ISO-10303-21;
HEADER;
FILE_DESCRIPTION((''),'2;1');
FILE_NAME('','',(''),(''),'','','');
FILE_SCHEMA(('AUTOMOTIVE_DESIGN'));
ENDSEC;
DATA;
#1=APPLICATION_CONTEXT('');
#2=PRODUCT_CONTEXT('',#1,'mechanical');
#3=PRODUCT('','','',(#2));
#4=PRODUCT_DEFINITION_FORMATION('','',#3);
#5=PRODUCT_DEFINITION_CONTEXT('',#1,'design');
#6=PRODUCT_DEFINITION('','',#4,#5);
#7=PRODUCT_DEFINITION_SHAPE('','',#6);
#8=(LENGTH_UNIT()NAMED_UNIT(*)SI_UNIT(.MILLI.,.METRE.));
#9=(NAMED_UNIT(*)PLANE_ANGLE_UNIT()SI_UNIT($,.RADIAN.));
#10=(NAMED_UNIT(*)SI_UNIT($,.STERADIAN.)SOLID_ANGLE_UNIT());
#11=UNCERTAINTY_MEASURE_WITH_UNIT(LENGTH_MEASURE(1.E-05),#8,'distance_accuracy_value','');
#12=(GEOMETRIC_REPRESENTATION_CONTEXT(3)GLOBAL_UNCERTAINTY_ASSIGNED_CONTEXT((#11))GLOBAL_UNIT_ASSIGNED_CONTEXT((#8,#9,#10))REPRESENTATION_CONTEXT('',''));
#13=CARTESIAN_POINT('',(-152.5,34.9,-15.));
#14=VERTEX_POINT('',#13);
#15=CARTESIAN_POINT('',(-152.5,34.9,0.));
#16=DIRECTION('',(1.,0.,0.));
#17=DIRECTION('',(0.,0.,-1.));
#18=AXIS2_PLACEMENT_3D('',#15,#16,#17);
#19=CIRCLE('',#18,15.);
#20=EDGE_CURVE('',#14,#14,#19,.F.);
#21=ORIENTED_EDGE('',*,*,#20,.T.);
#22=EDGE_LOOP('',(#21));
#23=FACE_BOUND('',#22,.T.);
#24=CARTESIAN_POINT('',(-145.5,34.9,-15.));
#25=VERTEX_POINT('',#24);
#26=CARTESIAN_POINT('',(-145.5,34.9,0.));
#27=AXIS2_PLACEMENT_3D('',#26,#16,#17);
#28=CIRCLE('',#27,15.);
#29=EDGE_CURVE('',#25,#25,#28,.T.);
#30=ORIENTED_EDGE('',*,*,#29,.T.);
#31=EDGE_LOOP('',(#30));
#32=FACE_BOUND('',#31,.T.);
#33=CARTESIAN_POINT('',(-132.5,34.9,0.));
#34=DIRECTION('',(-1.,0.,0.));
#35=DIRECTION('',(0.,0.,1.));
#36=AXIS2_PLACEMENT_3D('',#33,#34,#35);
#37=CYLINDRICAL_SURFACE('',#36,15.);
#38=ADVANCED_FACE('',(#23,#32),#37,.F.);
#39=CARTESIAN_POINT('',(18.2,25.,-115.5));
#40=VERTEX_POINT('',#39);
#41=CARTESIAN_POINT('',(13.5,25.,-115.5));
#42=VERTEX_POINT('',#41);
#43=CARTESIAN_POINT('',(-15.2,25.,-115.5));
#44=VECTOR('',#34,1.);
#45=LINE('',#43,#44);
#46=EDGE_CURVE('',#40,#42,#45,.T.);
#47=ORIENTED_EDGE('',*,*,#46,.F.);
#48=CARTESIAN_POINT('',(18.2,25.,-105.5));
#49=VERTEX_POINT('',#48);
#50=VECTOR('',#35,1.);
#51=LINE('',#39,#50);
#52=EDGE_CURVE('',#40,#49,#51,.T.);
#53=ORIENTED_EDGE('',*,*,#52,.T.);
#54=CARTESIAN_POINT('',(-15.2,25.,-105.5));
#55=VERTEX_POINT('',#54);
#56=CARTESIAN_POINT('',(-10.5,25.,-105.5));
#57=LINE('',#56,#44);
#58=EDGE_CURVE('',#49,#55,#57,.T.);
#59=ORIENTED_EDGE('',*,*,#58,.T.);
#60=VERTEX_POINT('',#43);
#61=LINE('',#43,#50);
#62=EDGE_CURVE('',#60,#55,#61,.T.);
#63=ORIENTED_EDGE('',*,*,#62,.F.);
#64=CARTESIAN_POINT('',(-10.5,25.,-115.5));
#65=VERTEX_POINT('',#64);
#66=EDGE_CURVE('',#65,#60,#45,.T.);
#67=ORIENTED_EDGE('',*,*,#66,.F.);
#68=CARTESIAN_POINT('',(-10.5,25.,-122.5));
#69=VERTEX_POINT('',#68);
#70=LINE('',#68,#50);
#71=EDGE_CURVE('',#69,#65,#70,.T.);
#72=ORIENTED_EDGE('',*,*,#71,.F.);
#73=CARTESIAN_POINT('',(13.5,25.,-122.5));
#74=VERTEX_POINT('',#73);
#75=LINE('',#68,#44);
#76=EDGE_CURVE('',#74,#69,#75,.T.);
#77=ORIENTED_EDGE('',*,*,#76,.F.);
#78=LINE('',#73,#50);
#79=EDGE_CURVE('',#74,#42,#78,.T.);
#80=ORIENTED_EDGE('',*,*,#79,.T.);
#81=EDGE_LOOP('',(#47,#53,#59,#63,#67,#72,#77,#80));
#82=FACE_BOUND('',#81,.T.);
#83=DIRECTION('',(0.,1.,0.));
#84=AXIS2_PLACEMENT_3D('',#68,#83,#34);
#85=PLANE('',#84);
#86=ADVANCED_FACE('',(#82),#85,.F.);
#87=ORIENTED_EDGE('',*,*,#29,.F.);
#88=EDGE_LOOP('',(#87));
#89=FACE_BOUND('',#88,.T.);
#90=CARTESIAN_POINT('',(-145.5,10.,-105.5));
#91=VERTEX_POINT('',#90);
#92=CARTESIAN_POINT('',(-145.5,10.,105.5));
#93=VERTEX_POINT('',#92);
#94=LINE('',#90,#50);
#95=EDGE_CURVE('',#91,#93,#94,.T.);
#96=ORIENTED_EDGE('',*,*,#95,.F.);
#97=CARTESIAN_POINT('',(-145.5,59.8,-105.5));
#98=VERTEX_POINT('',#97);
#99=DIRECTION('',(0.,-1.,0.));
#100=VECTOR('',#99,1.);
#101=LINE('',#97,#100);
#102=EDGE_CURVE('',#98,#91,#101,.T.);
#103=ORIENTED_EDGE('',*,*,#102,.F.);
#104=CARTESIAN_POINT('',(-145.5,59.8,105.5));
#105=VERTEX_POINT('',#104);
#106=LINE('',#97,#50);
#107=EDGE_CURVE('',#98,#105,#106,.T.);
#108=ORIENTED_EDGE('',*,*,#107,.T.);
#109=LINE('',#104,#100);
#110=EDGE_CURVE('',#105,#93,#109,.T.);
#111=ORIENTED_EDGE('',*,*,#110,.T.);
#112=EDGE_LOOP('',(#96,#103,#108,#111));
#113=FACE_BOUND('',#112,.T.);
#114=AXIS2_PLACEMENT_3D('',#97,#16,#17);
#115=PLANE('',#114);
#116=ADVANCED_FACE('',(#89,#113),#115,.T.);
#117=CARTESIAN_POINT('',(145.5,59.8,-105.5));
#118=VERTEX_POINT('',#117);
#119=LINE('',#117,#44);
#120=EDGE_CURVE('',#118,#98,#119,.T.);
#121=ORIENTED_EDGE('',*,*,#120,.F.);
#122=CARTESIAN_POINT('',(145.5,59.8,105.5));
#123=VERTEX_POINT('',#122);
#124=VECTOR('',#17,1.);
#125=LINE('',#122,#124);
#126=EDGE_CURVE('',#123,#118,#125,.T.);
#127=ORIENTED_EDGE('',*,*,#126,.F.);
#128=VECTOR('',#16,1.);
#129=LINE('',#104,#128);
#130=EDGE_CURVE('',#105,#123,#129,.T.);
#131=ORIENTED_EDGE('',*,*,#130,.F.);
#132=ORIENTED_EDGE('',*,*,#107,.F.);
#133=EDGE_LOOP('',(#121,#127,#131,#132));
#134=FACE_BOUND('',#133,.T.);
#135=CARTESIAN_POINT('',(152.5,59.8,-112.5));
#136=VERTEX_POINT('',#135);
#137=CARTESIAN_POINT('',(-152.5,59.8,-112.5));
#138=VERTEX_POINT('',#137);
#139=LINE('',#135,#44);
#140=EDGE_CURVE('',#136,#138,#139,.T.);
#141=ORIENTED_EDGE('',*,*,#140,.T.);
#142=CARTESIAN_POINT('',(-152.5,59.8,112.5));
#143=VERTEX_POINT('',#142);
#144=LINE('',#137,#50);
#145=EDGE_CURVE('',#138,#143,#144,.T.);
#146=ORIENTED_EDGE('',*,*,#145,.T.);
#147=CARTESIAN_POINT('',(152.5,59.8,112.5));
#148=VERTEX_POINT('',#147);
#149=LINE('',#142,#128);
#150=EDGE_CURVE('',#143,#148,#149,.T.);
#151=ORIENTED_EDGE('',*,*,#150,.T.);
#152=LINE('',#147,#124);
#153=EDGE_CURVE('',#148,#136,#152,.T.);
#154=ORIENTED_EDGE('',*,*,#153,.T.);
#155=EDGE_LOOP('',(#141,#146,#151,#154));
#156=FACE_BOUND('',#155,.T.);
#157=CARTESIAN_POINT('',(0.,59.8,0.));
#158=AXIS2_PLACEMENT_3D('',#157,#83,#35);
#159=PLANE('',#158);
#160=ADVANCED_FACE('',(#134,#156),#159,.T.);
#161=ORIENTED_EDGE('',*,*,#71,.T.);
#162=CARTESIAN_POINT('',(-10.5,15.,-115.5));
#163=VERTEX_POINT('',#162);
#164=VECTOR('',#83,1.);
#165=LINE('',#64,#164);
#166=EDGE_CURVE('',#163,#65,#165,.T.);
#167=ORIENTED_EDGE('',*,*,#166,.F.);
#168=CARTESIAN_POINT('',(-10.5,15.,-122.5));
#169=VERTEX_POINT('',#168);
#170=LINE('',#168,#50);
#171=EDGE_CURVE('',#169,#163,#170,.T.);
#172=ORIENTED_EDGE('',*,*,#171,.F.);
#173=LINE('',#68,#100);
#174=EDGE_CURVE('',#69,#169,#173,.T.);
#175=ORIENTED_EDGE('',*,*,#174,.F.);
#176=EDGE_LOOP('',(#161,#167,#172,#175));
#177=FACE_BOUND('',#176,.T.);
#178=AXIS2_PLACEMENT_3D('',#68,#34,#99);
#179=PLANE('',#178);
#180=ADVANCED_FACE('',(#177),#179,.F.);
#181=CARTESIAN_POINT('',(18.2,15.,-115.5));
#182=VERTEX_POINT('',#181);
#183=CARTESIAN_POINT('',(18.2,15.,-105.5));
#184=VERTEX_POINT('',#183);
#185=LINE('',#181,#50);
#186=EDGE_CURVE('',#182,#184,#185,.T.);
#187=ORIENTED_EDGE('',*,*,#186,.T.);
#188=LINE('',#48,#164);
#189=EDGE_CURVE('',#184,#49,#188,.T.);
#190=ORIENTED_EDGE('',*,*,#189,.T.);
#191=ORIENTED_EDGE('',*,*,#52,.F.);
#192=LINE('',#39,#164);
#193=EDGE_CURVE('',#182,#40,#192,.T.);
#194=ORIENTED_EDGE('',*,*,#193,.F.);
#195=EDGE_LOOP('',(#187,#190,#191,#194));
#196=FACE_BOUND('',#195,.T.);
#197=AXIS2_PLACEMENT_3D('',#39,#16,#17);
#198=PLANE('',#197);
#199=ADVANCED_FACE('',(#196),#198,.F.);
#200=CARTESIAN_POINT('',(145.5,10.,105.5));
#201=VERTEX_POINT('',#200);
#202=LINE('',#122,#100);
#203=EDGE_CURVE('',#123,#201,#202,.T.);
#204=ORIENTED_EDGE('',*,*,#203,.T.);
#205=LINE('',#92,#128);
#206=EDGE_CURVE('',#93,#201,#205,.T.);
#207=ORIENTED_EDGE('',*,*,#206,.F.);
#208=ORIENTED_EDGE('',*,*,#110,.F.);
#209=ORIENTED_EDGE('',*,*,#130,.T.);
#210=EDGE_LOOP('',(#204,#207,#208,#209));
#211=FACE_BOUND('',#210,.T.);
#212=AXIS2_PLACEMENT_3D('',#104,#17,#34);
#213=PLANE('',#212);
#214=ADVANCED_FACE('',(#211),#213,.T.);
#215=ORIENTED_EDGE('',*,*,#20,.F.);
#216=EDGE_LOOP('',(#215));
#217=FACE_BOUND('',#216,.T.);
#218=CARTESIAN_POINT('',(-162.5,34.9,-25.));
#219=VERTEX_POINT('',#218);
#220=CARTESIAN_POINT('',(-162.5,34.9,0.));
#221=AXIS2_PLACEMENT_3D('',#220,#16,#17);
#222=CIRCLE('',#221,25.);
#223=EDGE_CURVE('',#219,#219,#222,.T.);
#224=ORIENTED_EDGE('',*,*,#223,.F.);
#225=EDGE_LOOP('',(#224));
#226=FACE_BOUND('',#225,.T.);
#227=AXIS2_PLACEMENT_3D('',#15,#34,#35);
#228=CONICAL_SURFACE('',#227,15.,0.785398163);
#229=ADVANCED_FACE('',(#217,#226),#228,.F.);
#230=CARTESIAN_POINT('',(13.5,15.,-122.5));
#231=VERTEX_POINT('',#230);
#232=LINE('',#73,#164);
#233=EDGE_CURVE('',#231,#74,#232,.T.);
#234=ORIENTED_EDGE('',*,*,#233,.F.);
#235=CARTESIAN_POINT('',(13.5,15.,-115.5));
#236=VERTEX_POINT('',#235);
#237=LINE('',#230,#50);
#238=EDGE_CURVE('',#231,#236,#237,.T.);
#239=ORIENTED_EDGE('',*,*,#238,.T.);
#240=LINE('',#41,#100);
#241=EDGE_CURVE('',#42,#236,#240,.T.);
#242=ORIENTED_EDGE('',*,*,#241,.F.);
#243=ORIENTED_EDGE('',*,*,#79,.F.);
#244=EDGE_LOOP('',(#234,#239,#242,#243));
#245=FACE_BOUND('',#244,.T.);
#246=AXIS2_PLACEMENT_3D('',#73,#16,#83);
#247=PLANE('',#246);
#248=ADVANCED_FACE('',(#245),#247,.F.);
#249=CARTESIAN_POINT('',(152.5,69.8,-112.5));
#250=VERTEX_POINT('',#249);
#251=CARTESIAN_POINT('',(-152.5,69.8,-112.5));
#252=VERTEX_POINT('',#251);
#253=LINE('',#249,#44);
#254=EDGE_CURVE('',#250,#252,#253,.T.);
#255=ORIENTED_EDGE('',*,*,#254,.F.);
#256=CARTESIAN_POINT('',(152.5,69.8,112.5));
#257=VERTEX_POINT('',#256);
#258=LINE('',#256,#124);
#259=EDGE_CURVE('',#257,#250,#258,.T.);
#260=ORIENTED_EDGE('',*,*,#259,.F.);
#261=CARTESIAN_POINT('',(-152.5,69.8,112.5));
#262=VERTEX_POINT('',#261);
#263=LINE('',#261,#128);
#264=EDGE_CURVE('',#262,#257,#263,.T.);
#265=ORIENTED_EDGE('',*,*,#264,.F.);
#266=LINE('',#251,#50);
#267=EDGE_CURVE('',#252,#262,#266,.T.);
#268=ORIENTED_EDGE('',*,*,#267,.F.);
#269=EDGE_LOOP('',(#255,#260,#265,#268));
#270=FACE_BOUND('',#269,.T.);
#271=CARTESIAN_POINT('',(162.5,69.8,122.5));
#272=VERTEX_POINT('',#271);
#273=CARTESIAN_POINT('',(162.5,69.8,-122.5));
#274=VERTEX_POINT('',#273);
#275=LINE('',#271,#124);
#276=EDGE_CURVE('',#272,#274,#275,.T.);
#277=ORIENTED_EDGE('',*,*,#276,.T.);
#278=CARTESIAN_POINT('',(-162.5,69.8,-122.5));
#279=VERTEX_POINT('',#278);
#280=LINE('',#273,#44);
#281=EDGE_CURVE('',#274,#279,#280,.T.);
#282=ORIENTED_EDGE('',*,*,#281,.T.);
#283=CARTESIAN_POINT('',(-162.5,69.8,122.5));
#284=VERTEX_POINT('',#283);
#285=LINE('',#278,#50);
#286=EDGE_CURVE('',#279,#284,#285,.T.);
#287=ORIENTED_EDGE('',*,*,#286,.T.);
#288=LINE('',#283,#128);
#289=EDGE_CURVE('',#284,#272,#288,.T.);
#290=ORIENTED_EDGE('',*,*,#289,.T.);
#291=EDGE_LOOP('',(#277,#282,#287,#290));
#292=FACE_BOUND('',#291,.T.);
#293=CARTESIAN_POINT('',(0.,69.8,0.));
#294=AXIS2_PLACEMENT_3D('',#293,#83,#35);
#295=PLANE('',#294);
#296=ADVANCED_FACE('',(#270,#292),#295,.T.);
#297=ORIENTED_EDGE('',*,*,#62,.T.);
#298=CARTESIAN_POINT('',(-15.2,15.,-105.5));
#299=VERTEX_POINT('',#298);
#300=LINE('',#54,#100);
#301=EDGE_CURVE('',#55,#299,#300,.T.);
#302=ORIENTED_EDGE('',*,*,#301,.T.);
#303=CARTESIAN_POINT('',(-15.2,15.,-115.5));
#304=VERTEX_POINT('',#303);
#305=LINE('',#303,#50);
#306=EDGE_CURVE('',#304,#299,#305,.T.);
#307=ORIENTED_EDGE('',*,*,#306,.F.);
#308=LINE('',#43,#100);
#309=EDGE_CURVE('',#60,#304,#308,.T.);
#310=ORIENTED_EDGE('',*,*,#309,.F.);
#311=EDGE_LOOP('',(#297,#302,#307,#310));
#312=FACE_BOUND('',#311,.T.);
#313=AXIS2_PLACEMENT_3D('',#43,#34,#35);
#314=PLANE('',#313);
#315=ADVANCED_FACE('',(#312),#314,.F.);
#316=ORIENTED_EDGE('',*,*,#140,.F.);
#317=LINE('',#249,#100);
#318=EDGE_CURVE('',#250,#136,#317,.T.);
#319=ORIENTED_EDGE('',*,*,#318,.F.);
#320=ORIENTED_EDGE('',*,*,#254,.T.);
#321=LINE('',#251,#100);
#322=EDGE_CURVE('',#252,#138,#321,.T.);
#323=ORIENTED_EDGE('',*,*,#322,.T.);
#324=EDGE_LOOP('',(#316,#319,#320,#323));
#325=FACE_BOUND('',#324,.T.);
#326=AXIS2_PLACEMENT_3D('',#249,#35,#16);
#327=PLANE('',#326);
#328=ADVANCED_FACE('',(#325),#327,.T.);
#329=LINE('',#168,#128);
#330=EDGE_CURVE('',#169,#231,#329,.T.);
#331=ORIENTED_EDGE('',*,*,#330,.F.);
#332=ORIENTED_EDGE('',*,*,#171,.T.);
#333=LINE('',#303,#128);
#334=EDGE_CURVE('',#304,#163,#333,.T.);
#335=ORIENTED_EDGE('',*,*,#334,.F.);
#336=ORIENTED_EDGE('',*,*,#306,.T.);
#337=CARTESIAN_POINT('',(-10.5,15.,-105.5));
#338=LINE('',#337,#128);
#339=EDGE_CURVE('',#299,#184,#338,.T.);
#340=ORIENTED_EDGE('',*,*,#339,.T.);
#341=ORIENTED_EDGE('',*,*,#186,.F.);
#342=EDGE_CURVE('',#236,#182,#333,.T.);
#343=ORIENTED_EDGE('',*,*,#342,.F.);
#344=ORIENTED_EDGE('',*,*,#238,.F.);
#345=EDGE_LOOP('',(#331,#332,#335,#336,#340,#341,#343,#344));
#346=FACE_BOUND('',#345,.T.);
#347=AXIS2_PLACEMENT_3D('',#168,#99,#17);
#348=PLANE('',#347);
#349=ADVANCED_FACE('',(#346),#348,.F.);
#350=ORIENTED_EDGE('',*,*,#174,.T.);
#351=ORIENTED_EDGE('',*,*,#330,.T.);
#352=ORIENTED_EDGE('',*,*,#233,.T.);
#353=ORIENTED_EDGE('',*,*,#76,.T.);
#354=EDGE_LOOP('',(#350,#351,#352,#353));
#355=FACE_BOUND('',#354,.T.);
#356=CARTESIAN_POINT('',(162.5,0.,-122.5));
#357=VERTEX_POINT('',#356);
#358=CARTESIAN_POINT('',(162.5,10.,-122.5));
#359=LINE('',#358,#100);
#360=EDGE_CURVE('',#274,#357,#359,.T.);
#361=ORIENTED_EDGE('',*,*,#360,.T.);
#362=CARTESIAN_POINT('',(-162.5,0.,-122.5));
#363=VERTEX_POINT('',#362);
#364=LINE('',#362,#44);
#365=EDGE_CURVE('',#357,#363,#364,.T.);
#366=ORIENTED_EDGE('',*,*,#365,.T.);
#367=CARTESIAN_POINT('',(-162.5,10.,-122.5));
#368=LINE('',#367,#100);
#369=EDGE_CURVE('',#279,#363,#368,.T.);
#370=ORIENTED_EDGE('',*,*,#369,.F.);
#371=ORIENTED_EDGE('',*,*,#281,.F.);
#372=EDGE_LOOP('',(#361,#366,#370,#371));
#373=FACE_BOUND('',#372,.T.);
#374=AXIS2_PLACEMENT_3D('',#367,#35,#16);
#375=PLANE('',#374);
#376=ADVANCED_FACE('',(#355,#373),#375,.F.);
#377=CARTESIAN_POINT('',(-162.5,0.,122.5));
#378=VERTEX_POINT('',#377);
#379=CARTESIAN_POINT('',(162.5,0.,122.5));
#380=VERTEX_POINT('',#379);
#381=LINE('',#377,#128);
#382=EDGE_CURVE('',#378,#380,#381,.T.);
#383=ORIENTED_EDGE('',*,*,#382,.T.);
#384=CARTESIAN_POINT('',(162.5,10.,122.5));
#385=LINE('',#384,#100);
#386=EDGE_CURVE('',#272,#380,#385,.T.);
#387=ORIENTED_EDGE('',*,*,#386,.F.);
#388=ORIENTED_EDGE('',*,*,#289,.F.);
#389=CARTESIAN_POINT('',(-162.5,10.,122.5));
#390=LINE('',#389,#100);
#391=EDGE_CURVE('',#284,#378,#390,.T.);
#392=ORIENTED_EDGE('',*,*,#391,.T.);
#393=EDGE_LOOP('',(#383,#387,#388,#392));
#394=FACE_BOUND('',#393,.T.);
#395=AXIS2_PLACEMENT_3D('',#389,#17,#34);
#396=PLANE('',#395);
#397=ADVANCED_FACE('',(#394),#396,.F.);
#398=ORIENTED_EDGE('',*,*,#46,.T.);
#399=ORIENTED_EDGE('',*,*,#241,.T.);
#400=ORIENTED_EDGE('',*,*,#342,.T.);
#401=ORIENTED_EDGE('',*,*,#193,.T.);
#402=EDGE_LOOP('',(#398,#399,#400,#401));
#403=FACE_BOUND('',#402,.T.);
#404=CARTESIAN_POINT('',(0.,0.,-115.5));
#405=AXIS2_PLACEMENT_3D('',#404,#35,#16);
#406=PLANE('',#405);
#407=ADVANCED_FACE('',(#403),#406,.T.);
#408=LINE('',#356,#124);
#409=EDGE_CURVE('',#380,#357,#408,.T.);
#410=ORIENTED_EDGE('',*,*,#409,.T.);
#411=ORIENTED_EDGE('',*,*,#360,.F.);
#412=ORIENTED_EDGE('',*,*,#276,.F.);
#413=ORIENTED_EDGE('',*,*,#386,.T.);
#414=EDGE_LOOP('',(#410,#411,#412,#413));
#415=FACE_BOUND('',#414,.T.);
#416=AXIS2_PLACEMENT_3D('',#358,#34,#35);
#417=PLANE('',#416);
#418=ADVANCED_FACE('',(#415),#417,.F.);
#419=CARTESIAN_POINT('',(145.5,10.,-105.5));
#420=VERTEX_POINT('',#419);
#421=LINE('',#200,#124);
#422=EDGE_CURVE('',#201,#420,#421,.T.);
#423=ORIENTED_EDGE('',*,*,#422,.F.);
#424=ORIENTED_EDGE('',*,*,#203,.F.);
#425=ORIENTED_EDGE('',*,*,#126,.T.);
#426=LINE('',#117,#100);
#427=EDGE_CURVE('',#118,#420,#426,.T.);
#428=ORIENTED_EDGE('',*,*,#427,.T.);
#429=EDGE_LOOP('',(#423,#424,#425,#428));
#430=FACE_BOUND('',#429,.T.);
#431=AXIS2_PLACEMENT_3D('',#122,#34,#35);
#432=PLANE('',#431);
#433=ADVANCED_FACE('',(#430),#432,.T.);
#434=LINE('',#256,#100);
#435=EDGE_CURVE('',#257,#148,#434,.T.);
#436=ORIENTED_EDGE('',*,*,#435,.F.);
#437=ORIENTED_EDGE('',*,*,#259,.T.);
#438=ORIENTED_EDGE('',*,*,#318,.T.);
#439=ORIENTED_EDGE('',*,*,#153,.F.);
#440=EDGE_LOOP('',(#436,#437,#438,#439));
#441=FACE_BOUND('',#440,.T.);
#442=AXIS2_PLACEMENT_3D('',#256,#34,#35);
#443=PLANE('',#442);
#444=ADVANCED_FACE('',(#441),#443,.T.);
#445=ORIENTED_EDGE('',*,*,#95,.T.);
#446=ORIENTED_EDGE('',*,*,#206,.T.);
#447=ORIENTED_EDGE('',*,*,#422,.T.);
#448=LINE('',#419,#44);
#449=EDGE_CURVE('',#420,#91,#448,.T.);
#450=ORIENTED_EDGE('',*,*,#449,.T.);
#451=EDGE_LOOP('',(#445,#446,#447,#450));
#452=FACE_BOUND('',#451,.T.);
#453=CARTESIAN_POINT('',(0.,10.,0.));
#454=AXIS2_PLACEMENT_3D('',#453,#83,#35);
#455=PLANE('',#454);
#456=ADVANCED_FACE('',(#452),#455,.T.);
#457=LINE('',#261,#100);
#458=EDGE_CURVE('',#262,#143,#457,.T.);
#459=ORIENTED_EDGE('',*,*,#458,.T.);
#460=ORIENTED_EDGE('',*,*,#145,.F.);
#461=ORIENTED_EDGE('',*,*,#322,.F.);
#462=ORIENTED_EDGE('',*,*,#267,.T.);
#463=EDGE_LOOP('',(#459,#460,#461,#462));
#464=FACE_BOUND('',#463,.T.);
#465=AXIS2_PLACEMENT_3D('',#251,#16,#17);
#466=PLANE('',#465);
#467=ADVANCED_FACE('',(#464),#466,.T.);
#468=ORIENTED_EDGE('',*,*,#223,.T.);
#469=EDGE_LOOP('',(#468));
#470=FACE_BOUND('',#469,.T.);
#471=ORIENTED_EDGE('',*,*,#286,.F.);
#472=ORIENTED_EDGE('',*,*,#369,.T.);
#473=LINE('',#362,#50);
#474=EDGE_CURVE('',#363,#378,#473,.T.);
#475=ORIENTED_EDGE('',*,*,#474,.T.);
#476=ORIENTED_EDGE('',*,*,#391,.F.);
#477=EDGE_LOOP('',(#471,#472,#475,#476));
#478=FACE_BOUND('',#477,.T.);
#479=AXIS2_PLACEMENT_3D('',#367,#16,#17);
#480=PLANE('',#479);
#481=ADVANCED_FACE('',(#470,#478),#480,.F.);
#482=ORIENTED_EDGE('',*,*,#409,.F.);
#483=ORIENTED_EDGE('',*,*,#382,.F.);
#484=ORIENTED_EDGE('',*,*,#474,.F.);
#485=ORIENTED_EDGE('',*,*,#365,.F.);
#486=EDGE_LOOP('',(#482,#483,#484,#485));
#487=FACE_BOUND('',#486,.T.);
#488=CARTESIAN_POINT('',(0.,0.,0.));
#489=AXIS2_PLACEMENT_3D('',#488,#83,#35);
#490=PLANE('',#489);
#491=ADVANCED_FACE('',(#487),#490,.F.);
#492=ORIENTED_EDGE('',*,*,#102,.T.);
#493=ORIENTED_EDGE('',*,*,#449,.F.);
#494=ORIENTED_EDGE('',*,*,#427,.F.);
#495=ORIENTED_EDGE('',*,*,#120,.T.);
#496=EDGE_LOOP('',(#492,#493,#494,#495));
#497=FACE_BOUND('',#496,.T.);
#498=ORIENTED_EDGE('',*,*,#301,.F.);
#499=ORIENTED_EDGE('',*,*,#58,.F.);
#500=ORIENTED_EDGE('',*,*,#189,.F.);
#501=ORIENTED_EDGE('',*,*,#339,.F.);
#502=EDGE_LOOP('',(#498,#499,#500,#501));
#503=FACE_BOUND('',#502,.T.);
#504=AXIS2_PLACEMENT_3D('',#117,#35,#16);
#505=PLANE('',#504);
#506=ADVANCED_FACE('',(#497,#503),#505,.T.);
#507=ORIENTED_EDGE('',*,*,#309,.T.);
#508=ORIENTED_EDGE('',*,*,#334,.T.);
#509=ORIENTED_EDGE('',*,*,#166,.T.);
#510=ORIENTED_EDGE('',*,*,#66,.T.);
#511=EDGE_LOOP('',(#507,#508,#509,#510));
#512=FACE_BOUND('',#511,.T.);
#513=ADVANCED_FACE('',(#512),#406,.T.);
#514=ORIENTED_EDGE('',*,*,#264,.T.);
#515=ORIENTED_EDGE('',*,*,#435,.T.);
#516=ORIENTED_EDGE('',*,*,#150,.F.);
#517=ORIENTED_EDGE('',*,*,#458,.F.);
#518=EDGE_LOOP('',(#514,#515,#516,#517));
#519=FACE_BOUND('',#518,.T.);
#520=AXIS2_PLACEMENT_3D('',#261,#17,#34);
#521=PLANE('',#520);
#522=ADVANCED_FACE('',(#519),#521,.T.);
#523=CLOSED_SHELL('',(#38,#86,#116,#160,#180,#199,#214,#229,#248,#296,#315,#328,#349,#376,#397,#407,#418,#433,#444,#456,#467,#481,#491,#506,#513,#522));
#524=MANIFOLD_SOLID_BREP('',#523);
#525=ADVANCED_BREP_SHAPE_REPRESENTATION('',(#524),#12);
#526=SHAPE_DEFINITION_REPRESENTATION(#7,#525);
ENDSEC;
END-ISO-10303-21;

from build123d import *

# Parameters (mm, degrees)
SKETCH1_W           = 325
SKETCH1_H           = 245
BOSS_EXTRUDE1_DEPTH = 10
SKETCH2_W           = 325
SKETCH2_H           = 245
SKETCH2_W_2         = 291
SKETCH2_H_2         = 211
BOSS_EXTRUDE2_DEPTH = 49.8
SKETCH3_W           = 325
SKETCH3_H           = 245
SKETCH3_W_2         = 305
SKETCH3_H_2         = 225
BOSS_EXTRUDE3_DEPTH = 10
SKETCH4_R           = 15
CUT_EXTRUDE1_DEPTH  = 30
CHAMFER1_SIZE       = 10
SKETCH5_W           = 24
SKETCH5_H           = 10
CUT_EXTRUDE2_DEPTH  = 289.552057695
SKETCH6_W           = 33.4
SKETCH6_H           = 10
CUT_EXTRUDE3_DEPTH  = 10


with BuildPart() as part:
    # Sketch1 → Boss-Extrude1 (new body)
    with BuildSketch(Plane(origin=(0, 0, 0), x_dir=(1, 0, 0), z_dir=(0, 1, 0))):
        Rectangle(SKETCH1_W, SKETCH1_H)
    extrude(amount=BOSS_EXTRUDE1_DEPTH)

    # Sketch2 → Boss-Extrude2 (add)
    with BuildSketch(Plane(origin=(0, 10, 0), x_dir=(1, 0, 0), z_dir=(0, 1, 0))):
        Rectangle(SKETCH2_W, SKETCH2_H)
        Rectangle(SKETCH2_W_2, SKETCH2_H_2, mode=Mode.SUBTRACT)
    extrude(amount=BOSS_EXTRUDE2_DEPTH)

    # Sketch3 → Boss-Extrude3 (add)
    with BuildSketch(Plane(origin=(0, 59.8, 0), x_dir=(1, 0, 0), z_dir=(0, 1, 0))):
        Rectangle(SKETCH3_W, SKETCH3_H)
        Rectangle(SKETCH3_W_2, SKETCH3_H_2, mode=Mode.SUBTRACT)
    extrude(amount=BOSS_EXTRUDE3_DEPTH)

    # Sketch4 → Cut-Extrude1 (cut)
    with BuildSketch(Plane.ZY.offset(162.5)):
        with Locations((0, 34.9)):
            Circle(SKETCH4_R)
    extrude(amount=-CUT_EXTRUDE1_DEPTH, mode=Mode.SUBTRACT)

    # Chamfer1
    chamfer1_edges = [part.edges().sort_by_distance(p)[0] for p in [
        (-162.5, 34.9, -15),
    ]]
    chamfer(chamfer1_edges, length=CHAMFER1_SIZE)

    # Sketch5 → Cut-Extrude2 (cut, through all)
    with BuildSketch(Plane.XY.offset(-105.5)):
        with Locations((1.5, 20)):
            Rectangle(SKETCH5_W, SKETCH5_H)
    extrude(amount=-CUT_EXTRUDE2_DEPTH, mode=Mode.SUBTRACT)

    # Sketch6 → Cut-Extrude3 (cut)
    with BuildSketch(Plane.XY.offset(-105.5)):
        with Locations((1.5, 20)):
            Rectangle(SKETCH6_W, SKETCH6_H)
    extrude(amount=-CUT_EXTRUDE3_DEPTH, mode=Mode.SUBTRACT)


solid = part.part
